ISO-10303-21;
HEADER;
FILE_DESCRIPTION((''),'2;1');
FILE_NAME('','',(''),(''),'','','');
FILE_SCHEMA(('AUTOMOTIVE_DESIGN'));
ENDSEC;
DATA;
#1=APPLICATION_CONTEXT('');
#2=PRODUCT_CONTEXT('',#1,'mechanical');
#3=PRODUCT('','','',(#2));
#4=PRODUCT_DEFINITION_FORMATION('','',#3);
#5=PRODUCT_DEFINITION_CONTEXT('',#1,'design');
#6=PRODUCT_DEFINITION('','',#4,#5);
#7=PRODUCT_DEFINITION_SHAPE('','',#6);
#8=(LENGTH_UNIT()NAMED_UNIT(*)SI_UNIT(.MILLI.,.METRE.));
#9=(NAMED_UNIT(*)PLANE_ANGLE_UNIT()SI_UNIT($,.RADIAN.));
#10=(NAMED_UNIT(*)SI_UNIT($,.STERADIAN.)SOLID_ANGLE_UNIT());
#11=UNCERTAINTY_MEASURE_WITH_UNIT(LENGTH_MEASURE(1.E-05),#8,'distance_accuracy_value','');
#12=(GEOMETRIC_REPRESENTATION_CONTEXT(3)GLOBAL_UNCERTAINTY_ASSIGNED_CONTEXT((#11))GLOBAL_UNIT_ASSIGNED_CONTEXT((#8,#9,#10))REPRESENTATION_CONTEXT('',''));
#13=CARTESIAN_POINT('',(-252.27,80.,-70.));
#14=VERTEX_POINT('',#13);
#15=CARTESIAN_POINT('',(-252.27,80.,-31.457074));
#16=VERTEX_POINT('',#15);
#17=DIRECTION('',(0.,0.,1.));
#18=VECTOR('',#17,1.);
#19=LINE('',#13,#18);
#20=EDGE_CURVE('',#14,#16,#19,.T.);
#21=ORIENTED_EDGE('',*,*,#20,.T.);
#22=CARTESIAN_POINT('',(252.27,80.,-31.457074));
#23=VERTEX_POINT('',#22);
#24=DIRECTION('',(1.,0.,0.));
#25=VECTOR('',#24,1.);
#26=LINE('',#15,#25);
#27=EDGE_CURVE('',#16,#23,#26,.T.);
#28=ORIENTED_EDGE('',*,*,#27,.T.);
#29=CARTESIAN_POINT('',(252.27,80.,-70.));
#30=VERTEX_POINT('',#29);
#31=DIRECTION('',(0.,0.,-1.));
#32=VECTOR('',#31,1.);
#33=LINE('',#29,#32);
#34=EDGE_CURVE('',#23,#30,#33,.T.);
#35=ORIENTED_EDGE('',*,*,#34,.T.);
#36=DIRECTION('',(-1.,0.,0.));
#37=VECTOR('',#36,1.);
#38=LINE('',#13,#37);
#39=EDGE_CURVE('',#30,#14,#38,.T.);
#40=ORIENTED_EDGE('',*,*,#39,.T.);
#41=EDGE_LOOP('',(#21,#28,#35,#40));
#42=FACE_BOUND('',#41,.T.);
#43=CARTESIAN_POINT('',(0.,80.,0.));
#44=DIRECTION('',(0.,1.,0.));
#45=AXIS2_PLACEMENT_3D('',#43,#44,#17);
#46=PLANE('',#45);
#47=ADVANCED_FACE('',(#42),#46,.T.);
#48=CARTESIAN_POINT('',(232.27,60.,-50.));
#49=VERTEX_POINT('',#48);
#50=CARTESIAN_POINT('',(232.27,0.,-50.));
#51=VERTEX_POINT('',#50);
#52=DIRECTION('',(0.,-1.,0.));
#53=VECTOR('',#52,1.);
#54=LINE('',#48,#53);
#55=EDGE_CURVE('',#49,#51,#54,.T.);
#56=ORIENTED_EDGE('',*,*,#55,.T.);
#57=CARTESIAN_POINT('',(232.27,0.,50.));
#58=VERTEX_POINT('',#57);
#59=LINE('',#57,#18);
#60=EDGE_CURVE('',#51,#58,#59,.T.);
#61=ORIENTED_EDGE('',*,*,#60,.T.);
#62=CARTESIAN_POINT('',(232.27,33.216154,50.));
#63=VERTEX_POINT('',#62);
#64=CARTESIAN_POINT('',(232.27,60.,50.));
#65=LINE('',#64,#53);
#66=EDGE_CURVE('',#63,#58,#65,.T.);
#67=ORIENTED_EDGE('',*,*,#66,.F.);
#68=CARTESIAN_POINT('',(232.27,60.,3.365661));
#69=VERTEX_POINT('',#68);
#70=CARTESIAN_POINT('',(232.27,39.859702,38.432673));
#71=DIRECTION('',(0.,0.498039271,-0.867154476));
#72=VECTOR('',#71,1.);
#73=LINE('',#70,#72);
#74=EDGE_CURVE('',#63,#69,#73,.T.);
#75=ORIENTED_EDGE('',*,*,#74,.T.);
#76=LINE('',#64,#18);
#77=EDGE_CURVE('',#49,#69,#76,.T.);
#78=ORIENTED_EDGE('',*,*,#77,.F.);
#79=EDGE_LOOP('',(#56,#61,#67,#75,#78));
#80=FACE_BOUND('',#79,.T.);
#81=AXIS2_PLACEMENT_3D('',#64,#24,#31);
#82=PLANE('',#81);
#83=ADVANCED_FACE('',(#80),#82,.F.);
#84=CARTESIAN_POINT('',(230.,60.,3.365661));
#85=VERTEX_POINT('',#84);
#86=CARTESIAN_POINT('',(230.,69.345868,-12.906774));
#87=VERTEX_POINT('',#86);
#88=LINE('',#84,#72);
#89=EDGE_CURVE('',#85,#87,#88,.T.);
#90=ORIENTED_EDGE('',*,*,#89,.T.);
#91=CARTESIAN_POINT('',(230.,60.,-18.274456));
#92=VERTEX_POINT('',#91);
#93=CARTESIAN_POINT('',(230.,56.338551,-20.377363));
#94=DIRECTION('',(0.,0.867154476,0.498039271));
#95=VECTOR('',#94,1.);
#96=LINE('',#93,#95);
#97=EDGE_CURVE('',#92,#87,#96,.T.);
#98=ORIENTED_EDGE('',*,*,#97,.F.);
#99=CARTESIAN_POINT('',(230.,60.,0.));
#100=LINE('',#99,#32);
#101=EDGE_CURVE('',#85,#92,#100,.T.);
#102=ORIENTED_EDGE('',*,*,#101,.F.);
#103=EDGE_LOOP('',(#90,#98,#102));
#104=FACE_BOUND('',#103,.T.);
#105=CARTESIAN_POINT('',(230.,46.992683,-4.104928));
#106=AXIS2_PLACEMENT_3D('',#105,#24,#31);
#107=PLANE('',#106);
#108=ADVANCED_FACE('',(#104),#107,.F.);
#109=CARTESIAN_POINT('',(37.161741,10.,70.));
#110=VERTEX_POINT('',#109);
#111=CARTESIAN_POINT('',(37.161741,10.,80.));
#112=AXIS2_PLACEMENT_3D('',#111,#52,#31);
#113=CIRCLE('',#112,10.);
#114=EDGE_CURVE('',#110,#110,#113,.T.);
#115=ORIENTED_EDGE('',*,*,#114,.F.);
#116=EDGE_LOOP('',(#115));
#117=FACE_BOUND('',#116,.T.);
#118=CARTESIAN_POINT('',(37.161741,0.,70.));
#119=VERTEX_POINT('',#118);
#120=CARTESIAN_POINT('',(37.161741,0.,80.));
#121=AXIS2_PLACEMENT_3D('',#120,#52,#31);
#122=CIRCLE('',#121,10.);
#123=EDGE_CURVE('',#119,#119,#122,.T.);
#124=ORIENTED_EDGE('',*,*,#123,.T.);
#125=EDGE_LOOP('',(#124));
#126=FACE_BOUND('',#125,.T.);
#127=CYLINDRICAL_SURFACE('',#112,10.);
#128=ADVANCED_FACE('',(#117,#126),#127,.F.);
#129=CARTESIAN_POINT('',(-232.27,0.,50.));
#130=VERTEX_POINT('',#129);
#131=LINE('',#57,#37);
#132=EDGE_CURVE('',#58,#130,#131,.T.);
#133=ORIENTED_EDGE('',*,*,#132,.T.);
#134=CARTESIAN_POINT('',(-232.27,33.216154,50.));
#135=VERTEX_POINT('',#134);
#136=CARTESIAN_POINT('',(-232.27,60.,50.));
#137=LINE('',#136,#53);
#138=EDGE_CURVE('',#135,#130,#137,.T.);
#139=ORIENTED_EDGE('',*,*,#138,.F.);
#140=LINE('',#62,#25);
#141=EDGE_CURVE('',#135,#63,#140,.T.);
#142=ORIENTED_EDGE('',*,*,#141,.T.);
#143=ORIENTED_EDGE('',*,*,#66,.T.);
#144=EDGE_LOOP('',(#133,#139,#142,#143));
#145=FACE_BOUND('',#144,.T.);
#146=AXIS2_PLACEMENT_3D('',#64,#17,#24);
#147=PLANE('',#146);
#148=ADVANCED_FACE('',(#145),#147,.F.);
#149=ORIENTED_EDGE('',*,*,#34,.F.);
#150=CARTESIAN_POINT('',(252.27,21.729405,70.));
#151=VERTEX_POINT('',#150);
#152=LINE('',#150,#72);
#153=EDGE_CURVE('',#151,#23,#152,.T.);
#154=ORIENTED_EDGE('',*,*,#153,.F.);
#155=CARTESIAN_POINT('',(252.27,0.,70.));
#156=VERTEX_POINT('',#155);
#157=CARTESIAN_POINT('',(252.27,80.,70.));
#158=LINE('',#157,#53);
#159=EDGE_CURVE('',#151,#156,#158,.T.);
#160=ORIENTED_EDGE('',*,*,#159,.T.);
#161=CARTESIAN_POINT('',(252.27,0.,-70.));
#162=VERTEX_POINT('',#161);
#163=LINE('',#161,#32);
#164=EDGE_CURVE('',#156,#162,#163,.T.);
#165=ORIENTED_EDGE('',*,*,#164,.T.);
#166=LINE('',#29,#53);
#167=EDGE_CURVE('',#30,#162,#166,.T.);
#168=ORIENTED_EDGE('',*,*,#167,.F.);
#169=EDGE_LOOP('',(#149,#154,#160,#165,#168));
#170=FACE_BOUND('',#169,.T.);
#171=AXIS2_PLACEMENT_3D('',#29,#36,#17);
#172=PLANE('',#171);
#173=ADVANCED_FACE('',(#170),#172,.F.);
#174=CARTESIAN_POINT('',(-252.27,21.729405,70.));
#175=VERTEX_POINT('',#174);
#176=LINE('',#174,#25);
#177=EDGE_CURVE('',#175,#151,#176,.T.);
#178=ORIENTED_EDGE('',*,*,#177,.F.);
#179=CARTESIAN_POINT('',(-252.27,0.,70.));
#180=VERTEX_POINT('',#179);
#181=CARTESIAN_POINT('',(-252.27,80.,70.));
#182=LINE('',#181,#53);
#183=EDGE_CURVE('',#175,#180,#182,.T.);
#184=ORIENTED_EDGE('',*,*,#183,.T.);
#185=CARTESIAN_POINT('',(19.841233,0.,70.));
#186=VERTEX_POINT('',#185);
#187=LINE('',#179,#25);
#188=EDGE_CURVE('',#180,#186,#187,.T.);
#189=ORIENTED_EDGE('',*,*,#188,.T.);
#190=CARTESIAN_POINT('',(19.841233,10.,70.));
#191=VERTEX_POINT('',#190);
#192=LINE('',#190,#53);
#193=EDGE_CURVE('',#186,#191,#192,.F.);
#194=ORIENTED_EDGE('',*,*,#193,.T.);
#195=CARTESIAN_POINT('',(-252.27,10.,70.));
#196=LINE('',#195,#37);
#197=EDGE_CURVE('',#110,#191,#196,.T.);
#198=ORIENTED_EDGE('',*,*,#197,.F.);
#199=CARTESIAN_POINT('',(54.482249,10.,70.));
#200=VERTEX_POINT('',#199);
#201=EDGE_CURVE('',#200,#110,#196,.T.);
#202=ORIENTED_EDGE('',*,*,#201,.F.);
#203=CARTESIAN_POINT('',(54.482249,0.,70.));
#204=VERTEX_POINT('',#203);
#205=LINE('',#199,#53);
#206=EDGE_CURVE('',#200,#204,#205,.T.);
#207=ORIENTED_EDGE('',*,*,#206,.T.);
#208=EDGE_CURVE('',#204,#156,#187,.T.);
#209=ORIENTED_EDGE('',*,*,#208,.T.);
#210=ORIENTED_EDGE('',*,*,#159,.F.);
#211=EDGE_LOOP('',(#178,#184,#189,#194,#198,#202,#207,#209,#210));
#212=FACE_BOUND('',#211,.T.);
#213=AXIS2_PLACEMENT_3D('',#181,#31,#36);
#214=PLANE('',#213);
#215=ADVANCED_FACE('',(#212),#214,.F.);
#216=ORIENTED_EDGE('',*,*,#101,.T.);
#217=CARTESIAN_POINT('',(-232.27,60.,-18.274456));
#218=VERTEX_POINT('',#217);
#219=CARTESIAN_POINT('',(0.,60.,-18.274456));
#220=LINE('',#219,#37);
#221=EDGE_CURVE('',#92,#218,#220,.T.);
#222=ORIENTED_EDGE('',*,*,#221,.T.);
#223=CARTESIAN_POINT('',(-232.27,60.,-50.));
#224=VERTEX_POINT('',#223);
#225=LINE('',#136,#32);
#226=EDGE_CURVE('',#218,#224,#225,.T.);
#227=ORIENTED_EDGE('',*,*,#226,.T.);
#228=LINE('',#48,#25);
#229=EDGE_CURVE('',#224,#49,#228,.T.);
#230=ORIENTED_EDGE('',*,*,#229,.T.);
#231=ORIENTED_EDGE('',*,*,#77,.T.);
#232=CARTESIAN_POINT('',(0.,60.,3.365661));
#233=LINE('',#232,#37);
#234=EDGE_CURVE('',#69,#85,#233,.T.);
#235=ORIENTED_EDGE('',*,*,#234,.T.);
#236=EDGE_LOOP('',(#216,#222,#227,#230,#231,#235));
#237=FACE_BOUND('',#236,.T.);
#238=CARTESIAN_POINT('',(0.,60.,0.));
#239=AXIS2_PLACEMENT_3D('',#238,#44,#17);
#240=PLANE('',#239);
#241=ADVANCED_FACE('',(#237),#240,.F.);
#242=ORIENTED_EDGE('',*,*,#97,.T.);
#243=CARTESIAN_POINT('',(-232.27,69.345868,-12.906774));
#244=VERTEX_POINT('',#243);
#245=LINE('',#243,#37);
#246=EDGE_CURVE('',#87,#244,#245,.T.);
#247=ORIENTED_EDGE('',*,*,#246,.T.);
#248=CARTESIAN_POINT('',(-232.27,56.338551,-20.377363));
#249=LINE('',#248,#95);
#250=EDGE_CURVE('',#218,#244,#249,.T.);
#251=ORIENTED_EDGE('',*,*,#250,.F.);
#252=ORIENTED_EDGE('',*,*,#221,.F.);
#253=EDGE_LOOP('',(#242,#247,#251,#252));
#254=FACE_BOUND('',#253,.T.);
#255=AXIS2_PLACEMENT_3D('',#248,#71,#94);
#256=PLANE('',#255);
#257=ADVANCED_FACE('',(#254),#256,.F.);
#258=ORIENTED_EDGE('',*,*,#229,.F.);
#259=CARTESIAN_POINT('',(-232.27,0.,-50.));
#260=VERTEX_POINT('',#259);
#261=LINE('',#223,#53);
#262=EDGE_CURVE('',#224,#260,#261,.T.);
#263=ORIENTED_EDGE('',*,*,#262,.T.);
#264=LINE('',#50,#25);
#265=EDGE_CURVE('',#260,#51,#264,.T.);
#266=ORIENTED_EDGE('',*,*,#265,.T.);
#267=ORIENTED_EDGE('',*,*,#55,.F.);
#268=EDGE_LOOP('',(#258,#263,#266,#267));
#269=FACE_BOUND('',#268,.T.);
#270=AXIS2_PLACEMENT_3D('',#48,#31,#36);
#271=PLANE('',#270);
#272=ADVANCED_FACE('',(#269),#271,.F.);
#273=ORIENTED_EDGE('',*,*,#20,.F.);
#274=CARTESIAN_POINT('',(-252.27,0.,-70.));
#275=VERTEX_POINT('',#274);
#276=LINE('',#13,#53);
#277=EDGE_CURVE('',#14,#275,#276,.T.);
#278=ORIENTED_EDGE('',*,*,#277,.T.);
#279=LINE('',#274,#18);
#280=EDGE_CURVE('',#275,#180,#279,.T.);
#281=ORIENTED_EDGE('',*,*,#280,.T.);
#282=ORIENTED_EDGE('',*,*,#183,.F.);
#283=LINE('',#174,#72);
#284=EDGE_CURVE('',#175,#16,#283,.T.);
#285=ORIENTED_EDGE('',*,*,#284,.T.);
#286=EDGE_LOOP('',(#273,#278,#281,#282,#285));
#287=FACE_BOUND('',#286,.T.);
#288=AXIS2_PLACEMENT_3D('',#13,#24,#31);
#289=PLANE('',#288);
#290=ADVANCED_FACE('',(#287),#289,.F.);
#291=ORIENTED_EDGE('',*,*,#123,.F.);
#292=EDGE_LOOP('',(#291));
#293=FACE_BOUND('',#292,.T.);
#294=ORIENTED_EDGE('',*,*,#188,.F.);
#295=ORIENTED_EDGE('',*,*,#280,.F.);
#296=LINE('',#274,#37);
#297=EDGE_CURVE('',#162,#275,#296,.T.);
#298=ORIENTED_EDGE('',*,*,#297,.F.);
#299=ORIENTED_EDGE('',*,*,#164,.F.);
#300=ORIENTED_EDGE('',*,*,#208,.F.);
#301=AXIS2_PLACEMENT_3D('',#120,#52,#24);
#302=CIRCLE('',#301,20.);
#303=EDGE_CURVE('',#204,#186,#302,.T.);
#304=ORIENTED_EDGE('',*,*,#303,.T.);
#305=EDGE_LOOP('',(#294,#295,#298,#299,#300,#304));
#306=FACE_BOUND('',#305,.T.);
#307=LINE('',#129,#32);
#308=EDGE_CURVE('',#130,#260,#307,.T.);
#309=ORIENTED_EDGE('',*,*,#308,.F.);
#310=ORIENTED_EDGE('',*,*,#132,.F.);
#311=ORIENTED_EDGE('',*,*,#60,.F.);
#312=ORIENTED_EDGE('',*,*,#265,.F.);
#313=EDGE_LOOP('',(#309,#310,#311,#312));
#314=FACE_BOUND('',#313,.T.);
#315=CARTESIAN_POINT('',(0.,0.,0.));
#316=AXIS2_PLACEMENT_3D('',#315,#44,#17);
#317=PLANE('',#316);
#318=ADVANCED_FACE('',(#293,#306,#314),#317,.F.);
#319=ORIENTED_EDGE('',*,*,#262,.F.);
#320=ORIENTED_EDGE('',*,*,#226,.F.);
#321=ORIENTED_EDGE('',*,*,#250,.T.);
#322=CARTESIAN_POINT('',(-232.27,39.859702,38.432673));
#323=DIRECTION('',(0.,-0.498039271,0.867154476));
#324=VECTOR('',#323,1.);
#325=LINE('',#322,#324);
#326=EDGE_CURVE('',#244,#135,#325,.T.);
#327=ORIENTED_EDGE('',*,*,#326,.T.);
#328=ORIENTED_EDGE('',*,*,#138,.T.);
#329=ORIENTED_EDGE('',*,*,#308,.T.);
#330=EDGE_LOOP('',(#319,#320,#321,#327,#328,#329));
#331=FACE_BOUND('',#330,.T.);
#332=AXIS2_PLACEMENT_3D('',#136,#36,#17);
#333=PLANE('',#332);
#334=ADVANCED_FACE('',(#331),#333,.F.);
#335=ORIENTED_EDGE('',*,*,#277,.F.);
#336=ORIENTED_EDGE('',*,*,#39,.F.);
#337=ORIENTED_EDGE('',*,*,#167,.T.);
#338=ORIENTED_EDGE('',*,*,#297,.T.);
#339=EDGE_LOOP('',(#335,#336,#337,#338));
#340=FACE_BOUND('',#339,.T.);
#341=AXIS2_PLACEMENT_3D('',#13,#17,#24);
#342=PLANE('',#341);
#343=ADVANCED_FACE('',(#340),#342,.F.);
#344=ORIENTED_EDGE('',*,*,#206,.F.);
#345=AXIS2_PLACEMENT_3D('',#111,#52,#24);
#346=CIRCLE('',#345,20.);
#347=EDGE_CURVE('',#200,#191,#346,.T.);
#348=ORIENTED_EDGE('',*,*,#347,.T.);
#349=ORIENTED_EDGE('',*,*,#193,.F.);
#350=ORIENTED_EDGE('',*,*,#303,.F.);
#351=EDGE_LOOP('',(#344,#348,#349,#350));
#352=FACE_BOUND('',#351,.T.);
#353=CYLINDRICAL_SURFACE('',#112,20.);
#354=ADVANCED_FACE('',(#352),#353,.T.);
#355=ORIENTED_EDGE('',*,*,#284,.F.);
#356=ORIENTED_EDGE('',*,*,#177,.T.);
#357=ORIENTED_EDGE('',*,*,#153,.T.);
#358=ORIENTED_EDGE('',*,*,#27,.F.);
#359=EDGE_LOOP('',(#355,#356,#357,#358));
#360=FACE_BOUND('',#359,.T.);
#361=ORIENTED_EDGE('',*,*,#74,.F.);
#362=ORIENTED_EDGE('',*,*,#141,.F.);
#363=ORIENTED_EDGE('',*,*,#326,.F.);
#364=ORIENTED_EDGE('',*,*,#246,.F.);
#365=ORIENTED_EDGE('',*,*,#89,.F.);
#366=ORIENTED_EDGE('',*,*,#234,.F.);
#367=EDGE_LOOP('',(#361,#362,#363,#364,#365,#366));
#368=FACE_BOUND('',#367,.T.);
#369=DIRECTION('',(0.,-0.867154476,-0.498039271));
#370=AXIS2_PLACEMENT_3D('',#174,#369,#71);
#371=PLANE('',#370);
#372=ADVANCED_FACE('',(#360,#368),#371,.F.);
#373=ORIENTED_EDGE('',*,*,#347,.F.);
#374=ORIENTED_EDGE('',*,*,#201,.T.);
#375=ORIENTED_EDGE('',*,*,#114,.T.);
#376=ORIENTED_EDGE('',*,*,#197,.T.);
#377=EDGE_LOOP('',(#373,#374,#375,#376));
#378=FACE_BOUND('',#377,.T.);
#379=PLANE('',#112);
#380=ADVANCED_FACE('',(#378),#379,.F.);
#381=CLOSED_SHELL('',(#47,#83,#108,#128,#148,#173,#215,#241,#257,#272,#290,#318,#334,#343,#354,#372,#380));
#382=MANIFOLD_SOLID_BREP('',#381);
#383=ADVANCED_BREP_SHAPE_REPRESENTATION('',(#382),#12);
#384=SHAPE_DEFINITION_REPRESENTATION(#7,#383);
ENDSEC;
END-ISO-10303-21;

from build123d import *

# Parameters (mm, degrees)
SKETCH_1_W          = 504.54
SKETCH_1_H          = 140
EXTRUDE_1_DEPTH     = 80
SKETCH_2_W          = 464.54
SKETCH_2_H          = 100
CUT_EXTRUDE_1_DEPTH = 60
CUT_EXTRUDE_2_DEPTH = 516.616729364
SKETCH_8_W          = 462.27
SKETCH_8_H          = 18.765324385
CUT_EXTRUDE_3_DEPTH = 15
SKETCH_12_R         = 20
SKETCH_12_R_2       = 10
EXTRUDE_2_DEPTH     = 10


with BuildPart() as part:
    # 草圖1 → 填料-伸長1 (new body)
    with BuildSketch(Plane(origin=(0, 0, 0), x_dir=(1, 0, 0), z_dir=(0, 1, 0))):
        Rectangle(SKETCH_1_W, SKETCH_1_H)
    extrude(amount=EXTRUDE_1_DEPTH)

    # 草圖2 → 除料-伸長1 (cut)
    with BuildSketch(Plane.XZ):
        Rectangle(SKETCH_2_W, SKETCH_2_H)
    extrude(amount=-CUT_EXTRUDE_1_DEPTH, mode=Mode.SUBTRACT)

    # 草圖7 → 除料-伸長2 (cut, through all)
    with BuildSketch(Plane(origin=(252.27, 0, 0), x_dir=(0, 0, -1), z_dir=(1, 0, 0))):
        Polygon((-70, 21.729405289), (31.457073642, 80), (-70, 80), align=None)
    extrude(amount=-CUT_EXTRUDE_2_DEPTH, mode=Mode.SUBTRACT)

    # 草圖8 → 除料-伸長3 (cut)
    with BuildSketch(Plane(origin=(0, 46.570964705, 26.747448081), x_dir=(1, 0, 0), z_dir=(0, 0.8671544755717103, 0.4980392710378893))):
        with Locations((-1.135, 36.346470221)):
            Rectangle(SKETCH_8_W, SKETCH_8_H)
    extrude(amount=-CUT_EXTRUDE_3_DEPTH, mode=Mode.SUBTRACT)

    # 草圖12 → 伸長-薄件2 (add)
    with BuildSketch(Plane.XZ):
        with Locations((37.16174113, 80)):
            Circle(SKETCH_12_R)
        with Locations((37.16174113, 80)):
            Circle(SKETCH_12_R_2, mode=Mode.SUBTRACT)
    extrude(amount=-EXTRUDE_2_DEPTH)


solid = part.part
